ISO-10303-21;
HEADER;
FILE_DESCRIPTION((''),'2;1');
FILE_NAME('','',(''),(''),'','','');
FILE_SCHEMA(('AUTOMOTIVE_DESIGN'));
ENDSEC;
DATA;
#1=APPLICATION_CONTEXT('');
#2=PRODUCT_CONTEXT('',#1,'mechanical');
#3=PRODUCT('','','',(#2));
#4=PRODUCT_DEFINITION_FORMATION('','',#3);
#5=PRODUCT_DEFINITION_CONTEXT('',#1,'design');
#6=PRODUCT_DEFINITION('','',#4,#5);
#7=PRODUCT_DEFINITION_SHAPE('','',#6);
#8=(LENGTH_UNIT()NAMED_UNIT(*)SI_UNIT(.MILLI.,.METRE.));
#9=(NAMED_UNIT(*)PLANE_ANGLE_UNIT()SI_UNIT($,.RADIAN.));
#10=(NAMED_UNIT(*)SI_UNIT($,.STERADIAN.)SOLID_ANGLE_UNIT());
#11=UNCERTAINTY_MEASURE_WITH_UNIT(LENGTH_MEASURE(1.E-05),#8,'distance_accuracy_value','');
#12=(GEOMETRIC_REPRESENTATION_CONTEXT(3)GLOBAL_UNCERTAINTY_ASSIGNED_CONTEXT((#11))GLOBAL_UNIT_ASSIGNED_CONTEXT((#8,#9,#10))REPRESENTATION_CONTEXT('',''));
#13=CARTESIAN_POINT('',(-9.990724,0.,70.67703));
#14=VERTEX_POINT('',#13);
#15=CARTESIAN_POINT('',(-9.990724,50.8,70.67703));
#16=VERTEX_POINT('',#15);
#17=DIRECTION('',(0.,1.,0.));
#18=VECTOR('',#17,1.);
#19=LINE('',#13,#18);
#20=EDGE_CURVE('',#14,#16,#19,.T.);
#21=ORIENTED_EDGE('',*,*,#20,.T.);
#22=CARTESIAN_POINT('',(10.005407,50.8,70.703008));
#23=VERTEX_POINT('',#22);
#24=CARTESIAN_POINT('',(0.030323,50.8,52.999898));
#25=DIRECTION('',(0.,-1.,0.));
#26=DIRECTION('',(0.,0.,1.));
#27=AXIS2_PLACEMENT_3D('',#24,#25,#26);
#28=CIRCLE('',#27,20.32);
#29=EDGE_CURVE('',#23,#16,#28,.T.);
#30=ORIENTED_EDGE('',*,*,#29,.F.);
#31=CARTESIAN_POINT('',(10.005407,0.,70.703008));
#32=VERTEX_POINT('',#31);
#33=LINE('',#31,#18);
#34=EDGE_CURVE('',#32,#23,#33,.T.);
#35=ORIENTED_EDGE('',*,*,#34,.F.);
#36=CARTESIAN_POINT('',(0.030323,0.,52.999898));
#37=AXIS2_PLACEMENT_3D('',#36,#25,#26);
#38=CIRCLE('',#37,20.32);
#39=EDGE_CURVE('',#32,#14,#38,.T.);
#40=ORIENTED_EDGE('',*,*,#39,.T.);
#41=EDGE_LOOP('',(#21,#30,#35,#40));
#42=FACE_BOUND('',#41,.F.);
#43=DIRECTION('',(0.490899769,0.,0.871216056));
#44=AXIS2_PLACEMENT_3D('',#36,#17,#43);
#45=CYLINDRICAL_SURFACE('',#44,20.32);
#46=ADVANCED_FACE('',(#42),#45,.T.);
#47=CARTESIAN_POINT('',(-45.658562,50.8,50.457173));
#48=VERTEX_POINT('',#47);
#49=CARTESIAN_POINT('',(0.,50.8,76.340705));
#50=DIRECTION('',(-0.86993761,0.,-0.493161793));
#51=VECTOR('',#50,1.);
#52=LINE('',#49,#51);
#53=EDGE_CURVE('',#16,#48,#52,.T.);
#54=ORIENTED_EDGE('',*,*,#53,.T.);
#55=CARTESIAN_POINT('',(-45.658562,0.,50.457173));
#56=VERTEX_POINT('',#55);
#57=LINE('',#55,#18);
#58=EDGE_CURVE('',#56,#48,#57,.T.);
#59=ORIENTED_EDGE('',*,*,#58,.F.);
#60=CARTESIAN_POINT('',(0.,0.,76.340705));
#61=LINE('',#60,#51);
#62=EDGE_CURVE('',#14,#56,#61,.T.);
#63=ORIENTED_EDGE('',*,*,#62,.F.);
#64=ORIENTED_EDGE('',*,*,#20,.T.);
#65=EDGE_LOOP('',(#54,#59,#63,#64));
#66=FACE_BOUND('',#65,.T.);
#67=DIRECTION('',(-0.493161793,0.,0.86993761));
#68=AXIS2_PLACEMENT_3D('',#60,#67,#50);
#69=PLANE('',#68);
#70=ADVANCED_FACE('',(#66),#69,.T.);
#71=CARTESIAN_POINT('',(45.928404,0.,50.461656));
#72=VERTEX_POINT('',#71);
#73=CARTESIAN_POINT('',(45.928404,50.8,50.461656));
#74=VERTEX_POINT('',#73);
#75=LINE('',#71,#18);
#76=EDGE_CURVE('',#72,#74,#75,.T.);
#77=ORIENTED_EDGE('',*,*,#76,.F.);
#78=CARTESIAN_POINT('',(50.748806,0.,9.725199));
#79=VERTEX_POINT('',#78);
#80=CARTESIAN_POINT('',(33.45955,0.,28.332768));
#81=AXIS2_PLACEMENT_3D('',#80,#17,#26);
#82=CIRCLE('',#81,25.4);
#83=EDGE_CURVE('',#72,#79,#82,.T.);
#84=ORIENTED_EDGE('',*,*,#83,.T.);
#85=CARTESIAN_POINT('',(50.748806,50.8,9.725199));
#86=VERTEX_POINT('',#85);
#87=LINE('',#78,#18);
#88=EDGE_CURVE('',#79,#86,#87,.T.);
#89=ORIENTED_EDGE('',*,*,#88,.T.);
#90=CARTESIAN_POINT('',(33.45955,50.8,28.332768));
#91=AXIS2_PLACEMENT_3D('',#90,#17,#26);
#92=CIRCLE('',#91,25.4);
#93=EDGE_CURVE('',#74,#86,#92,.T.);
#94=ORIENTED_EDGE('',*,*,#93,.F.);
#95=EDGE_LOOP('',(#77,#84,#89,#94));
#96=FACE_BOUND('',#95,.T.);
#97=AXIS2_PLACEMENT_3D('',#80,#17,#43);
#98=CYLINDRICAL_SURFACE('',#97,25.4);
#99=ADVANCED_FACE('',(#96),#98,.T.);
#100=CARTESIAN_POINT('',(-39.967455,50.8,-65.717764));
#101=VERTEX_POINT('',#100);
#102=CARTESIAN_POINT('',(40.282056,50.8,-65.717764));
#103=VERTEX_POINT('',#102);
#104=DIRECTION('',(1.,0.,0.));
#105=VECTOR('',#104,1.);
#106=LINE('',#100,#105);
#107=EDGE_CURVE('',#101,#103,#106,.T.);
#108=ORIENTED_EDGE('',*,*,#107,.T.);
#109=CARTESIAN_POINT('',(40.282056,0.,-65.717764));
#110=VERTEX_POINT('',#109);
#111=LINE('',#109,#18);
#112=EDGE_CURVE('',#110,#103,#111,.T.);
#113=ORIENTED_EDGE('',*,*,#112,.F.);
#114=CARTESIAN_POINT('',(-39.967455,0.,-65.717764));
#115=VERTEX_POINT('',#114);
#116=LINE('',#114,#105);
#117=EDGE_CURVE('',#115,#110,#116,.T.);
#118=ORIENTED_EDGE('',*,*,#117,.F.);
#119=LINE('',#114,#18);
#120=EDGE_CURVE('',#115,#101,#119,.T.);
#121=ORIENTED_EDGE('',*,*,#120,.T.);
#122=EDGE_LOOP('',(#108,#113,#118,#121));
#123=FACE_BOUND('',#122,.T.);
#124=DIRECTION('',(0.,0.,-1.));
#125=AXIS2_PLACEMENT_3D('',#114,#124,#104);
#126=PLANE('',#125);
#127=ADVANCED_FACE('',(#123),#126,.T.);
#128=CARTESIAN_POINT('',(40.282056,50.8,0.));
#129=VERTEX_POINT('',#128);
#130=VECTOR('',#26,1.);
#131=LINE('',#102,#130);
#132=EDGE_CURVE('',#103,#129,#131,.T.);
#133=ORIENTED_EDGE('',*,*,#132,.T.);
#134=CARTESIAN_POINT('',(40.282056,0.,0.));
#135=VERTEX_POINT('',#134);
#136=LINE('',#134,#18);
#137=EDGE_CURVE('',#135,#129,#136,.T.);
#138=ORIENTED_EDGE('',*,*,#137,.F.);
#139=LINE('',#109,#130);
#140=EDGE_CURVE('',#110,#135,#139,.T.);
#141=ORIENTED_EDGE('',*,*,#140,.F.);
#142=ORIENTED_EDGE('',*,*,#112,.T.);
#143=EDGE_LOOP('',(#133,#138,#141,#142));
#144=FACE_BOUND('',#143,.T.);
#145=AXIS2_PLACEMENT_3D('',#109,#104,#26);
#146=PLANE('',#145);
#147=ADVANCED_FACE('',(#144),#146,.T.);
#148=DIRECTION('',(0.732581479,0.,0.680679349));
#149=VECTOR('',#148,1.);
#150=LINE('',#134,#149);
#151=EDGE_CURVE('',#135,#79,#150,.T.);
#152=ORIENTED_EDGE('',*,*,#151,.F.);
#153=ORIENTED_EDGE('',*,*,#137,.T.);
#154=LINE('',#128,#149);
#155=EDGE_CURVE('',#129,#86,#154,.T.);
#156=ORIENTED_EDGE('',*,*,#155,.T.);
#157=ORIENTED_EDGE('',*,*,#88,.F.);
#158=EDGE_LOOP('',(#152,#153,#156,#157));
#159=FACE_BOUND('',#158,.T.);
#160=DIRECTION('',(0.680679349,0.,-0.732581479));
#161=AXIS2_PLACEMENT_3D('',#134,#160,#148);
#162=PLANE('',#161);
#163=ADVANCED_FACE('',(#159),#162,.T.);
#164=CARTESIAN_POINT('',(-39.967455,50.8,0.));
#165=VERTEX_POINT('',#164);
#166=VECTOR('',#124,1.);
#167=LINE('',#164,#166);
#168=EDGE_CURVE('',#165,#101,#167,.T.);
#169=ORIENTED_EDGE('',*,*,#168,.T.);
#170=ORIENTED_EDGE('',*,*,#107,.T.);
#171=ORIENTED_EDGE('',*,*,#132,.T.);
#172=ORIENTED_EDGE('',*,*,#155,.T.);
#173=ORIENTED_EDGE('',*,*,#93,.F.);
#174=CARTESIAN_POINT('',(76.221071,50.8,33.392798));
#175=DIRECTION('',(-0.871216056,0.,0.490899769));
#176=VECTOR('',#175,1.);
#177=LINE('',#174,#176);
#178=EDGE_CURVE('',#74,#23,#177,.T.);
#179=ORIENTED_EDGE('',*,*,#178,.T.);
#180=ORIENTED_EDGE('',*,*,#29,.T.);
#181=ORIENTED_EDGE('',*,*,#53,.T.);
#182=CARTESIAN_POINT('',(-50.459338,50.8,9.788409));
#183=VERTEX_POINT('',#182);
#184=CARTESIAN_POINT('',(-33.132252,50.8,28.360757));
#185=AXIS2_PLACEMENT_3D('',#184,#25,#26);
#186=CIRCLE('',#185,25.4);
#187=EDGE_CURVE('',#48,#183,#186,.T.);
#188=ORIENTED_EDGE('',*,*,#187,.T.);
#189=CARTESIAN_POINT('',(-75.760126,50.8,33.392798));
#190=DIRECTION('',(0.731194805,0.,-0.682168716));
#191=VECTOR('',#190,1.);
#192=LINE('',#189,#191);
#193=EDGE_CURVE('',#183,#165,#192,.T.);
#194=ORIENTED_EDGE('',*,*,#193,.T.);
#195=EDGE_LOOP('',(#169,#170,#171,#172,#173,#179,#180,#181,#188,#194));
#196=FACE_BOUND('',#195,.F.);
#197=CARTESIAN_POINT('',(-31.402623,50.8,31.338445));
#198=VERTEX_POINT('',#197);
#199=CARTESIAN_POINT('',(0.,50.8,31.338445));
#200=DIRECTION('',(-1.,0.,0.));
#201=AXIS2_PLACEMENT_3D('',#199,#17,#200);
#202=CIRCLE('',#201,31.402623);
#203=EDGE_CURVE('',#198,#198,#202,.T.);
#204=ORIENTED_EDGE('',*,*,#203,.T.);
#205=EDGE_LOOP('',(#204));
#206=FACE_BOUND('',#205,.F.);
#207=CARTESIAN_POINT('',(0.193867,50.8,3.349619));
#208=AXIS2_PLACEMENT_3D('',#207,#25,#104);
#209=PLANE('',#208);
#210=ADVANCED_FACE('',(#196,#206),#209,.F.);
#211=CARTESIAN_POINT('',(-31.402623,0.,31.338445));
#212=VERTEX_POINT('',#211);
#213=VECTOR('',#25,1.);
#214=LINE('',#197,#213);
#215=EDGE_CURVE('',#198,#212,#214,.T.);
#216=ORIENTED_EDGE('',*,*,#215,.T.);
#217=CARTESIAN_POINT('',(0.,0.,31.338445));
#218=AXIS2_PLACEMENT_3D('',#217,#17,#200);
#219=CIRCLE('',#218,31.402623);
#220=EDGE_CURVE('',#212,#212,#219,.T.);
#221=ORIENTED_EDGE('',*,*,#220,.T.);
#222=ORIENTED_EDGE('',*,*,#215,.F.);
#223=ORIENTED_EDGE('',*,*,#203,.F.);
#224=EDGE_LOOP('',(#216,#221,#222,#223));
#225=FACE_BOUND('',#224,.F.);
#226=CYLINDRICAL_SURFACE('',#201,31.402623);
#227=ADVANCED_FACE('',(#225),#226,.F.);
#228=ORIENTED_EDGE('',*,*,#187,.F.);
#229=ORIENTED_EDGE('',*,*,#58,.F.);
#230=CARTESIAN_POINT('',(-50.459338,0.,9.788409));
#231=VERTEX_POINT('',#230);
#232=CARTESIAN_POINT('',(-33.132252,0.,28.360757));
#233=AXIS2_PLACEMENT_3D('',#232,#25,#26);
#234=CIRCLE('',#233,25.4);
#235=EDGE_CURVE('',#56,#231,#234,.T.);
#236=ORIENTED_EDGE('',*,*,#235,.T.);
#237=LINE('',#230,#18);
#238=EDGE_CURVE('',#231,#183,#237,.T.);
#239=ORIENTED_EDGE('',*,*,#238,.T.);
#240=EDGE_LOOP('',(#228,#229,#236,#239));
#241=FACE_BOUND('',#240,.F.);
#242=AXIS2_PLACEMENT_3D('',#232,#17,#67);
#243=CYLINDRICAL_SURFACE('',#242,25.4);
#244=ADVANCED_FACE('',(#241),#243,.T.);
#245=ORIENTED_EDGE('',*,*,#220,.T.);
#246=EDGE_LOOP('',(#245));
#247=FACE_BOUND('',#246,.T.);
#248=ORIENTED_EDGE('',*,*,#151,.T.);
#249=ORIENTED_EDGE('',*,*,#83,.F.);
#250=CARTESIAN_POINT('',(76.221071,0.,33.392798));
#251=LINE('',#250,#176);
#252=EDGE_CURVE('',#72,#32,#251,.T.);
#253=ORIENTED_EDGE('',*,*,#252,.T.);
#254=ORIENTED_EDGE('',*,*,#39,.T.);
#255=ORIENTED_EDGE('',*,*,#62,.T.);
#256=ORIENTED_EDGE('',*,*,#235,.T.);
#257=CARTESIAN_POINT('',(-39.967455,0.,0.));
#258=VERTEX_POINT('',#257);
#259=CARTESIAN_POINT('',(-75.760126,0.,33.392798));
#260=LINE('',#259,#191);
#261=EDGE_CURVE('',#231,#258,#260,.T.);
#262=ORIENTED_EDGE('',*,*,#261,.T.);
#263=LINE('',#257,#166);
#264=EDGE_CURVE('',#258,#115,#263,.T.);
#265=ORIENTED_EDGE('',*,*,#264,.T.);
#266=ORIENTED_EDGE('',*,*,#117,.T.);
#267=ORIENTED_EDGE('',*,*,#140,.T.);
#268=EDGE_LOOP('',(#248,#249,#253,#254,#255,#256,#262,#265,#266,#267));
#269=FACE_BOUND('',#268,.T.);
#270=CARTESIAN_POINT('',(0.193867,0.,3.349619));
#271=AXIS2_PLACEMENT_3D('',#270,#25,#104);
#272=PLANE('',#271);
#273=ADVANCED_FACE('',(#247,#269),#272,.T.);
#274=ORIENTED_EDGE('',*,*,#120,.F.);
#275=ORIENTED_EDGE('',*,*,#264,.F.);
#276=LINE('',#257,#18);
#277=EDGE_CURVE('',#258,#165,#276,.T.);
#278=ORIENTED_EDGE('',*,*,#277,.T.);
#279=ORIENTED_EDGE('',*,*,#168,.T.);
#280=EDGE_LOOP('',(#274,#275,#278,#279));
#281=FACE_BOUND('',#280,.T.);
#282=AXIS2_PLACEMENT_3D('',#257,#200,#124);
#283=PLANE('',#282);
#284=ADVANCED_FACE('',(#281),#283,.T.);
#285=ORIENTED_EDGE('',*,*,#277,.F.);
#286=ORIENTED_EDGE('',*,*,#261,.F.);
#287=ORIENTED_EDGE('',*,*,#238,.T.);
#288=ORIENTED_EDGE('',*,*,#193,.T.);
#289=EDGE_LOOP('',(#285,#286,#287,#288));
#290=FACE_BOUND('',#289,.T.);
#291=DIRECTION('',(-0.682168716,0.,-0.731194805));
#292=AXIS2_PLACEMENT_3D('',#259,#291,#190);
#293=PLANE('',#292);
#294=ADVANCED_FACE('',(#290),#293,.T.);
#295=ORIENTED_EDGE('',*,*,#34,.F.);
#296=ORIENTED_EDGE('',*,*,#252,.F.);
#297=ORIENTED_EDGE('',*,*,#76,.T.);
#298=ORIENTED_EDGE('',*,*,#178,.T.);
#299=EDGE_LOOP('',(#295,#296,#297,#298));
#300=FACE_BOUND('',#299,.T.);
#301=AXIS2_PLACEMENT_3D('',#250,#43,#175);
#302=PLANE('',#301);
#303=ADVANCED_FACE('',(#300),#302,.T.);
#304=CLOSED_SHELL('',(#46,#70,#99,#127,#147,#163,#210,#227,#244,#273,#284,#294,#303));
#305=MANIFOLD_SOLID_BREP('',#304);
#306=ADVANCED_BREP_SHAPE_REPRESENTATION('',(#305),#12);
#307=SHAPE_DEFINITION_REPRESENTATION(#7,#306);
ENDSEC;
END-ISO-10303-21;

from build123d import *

# Parameters (mm, degrees)
F1_DEPTH = 50.8
F2_R     = 20.32
F3_R     = 25.4
F4_R     = 25.4
F5_R     = 31.402623
F6_DEPTH = 50.801


with BuildPart() as f1:
    # F0 (on Front) → F1 (new body)
    with BuildSketch(Plane.XZ):
        Polygon((-39.967455, -65.717764), (40.282056, -65.717764), (40.282056, 0), (76.221071, 33.392798), (0, 76.340705), (-75.760126, 33.392798), (-39.967455, 0), align=None)
    extrude(amount=-F1_DEPTH)

    # F2
    f2_edges = [f1.edges().sort_by_distance(p)[0] for p in [
        (0, 25.4, 76.340705),
    ]]
    fillet(f2_edges, radius=F2_R)

    # F3
    f3_edges = [f1.edges().sort_by_distance(p)[0] for p in [
        (76.221071, 25.4, 33.392798),
    ]]
    fillet(f3_edges, radius=F3_R)

    # F4
    f4_edges = [f1.edges().sort_by_distance(p)[0] for p in [
        (-75.760126, 25.4, 33.392798),
    ]]
    fillet(f4_edges, radius=F4_R)

    # F5 (on face) → F6 (cut, through all)
    with BuildSketch(Plane(origin=(0, 50.8, 0), x_dir=(-1, 0, 0), z_dir=(0, 1, 0))):
        with Locations((0, 31.338445)):
            Circle(F5_R)
    extrude(amount=-F6_DEPTH, mode=Mode.SUBTRACT)


solid = f1.part
